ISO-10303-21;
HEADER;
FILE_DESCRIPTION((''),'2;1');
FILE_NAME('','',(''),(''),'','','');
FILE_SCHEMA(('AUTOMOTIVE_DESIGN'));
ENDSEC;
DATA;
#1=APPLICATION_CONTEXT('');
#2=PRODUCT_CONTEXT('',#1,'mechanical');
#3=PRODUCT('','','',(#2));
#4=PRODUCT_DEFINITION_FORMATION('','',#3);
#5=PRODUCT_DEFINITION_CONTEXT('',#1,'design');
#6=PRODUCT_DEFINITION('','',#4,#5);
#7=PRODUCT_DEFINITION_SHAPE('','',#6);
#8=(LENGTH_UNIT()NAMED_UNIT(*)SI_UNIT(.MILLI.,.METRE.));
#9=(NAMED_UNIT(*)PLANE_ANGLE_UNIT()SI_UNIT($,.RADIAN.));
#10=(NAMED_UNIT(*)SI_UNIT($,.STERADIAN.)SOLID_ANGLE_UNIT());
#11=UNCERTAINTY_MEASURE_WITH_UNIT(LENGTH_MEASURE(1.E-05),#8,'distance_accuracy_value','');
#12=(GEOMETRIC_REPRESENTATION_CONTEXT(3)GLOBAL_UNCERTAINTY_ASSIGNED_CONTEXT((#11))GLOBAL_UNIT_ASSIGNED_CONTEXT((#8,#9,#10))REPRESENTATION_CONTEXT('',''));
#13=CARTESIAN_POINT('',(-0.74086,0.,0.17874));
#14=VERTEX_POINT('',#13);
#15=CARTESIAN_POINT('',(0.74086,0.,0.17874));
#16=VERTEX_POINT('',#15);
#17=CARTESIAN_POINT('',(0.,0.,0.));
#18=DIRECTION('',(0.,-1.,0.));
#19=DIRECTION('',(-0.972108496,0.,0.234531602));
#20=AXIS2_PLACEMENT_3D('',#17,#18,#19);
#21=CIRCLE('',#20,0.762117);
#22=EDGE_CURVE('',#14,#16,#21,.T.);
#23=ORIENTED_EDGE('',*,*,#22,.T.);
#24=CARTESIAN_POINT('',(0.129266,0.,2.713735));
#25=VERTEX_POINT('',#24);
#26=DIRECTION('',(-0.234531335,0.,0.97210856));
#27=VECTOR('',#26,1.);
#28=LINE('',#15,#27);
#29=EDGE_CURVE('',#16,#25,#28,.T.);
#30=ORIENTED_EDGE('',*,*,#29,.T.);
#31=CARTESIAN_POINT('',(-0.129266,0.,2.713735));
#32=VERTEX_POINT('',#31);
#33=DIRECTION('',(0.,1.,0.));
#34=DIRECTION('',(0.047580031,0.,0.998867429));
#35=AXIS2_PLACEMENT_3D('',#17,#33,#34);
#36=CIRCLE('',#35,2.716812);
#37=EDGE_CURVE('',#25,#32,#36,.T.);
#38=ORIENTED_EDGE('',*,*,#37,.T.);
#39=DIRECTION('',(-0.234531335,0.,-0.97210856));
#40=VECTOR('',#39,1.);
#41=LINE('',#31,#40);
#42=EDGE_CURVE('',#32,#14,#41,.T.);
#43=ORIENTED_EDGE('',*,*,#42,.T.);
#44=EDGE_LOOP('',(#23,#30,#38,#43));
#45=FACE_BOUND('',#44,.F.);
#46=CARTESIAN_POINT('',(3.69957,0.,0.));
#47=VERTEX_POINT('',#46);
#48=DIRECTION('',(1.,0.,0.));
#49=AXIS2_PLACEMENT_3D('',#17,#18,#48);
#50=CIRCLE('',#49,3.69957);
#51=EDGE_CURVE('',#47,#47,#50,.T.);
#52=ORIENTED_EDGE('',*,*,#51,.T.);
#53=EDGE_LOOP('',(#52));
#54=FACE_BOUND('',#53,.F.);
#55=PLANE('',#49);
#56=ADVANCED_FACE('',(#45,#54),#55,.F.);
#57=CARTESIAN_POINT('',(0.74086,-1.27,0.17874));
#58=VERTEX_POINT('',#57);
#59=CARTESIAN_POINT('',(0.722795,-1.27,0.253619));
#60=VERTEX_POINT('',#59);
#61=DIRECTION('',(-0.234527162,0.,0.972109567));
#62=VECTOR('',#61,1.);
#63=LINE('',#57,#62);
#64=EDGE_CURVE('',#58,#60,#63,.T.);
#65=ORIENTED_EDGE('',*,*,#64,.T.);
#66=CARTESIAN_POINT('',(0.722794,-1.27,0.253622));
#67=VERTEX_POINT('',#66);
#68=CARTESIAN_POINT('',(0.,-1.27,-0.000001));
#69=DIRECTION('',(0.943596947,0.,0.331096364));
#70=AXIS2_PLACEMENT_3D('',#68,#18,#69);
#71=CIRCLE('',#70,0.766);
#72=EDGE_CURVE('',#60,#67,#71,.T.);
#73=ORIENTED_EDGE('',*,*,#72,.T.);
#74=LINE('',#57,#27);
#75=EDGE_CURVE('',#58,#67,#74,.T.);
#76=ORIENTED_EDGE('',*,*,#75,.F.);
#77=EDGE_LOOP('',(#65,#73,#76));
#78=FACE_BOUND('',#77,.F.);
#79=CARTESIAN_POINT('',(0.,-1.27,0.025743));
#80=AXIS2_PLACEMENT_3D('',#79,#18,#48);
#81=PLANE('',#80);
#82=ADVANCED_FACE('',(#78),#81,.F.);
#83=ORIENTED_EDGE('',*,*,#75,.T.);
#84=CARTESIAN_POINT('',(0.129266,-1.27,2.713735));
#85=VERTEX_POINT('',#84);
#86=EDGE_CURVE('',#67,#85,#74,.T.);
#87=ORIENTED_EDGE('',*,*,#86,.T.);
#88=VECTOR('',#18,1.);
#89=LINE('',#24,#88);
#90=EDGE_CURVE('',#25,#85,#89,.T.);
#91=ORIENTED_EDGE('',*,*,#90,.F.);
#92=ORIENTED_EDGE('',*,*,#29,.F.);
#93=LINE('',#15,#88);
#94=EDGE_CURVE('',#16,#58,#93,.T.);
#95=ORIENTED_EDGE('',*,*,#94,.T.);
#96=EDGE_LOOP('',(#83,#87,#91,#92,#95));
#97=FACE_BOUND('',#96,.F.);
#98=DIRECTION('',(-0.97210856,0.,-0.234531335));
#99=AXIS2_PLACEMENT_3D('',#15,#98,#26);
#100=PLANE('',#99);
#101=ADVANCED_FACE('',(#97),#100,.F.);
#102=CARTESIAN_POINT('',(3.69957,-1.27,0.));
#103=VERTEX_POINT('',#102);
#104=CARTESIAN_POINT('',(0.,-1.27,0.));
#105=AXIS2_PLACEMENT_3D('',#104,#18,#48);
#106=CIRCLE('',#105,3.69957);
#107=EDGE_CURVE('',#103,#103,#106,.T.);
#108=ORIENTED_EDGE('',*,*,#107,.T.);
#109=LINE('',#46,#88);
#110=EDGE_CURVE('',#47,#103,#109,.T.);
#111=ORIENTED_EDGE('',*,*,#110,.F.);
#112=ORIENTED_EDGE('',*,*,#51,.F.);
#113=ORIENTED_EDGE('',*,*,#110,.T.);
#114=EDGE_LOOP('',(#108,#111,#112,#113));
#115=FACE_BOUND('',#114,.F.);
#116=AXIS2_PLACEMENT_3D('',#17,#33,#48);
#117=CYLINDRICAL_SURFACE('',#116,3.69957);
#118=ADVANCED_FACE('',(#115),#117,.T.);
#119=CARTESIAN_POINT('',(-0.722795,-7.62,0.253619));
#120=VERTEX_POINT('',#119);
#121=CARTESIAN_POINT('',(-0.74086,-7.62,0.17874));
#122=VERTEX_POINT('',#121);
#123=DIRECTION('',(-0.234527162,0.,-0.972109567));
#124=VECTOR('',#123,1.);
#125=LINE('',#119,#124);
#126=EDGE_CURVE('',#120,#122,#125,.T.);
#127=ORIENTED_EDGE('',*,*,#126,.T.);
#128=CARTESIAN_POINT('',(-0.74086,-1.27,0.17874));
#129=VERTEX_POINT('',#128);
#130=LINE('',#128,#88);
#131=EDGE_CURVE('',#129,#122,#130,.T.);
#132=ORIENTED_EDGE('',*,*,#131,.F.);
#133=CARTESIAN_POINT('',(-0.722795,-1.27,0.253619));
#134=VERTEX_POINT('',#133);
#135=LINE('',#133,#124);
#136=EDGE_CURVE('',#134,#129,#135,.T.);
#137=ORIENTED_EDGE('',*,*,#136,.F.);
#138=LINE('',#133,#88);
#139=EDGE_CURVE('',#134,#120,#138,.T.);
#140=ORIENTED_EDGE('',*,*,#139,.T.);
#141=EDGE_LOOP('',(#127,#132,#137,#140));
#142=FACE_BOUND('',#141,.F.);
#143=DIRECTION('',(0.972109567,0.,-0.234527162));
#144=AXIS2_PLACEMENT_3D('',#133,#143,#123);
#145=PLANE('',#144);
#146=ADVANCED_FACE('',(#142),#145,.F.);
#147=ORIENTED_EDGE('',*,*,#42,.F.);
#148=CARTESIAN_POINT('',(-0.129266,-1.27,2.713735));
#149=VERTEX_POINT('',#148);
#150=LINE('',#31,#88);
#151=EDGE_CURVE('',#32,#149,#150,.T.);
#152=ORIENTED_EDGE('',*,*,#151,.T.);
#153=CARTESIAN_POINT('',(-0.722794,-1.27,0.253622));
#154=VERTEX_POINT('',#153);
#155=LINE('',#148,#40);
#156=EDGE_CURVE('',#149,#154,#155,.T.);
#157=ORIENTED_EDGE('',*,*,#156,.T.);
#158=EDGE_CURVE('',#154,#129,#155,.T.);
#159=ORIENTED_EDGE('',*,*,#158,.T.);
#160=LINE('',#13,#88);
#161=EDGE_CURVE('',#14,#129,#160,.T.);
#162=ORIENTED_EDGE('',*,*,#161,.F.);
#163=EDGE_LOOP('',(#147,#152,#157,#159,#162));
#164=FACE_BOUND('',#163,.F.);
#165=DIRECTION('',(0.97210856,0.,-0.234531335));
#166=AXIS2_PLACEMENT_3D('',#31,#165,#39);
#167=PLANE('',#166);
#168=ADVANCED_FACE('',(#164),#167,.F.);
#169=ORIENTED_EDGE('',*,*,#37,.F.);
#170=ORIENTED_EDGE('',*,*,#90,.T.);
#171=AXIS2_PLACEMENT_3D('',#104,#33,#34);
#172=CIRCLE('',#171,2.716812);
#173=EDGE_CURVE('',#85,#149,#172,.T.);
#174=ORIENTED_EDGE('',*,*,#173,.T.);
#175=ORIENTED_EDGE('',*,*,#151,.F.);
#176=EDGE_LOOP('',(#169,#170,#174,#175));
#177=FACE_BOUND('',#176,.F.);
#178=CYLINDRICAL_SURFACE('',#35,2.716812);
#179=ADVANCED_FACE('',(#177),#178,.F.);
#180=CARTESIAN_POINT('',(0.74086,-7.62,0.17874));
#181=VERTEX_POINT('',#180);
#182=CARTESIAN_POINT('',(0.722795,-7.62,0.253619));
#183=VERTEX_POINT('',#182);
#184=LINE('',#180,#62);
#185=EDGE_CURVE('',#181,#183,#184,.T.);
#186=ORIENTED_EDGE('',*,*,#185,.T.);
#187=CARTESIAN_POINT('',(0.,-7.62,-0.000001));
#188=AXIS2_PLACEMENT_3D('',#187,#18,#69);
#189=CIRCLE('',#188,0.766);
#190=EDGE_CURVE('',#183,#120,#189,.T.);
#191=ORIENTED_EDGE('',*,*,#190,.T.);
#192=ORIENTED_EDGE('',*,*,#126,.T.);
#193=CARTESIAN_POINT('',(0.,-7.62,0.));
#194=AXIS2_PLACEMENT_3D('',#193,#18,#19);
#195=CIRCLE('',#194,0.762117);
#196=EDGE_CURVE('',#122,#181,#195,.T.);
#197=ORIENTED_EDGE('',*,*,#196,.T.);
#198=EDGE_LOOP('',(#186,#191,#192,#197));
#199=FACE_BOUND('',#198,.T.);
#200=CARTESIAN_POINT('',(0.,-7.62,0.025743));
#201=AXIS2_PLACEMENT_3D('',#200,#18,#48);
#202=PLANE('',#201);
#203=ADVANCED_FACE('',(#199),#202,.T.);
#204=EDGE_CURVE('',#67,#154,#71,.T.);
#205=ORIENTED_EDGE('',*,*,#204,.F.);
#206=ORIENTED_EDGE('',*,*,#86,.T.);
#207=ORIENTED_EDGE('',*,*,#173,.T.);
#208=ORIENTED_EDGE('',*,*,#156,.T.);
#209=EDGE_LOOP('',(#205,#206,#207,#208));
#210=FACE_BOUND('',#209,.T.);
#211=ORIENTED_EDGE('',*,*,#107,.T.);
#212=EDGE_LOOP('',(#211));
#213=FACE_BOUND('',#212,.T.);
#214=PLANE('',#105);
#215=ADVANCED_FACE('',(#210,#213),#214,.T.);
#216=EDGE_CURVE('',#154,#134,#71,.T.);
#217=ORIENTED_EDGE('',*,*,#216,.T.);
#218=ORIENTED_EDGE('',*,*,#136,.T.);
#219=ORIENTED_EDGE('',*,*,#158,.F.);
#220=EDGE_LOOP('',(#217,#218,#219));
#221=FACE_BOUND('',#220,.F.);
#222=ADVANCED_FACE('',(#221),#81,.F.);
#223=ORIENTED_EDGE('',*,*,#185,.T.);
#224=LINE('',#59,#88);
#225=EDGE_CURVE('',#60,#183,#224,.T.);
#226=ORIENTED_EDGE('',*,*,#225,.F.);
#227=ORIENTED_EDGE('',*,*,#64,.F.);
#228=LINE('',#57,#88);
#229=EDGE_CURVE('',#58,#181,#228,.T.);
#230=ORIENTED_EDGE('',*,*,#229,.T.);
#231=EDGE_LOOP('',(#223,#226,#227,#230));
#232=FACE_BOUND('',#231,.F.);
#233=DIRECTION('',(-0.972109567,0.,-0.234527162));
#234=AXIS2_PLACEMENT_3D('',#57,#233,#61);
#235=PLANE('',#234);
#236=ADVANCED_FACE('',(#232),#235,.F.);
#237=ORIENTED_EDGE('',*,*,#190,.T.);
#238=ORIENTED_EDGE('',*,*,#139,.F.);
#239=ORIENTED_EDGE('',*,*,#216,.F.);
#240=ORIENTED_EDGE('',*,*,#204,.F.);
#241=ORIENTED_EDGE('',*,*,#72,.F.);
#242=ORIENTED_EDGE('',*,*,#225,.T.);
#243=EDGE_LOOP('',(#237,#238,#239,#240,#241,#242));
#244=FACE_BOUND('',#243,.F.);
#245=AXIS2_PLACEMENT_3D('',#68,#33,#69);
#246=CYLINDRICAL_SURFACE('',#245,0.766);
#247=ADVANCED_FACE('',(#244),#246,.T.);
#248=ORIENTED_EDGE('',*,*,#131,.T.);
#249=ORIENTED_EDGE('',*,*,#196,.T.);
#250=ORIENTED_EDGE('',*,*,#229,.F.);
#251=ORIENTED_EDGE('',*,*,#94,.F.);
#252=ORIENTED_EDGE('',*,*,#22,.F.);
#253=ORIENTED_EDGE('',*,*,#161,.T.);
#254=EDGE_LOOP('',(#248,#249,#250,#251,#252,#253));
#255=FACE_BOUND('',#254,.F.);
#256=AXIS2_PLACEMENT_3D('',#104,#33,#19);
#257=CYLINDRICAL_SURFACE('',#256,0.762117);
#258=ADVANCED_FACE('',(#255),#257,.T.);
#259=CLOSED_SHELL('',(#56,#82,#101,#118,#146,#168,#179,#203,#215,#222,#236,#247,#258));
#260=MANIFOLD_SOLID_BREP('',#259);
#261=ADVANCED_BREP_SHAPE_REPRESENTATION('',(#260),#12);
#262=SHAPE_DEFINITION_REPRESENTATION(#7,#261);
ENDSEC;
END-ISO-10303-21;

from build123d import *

# Parameters (mm, degrees)
F0_R     = 3.69957
F1_DEPTH = 1.27
F3_DEPTH = 6.35


with BuildPart() as f1:
    # F0 (on Front) → F1 (new body)
    with BuildSketch(Plane.XZ):
        Circle(F0_R)
        with BuildLine():
            ThreePointArc((0.129266, 2.713735), (0, -2.716812), (-0.129266, 2.713735))
            Line((-0.129266, 2.713735), (-0.74086, 0.17874))
            ThreePointArc((-0.74086, 0.17874), (0, -0.762117), (0.74086, 0.17874))
            Line((0.74086, 0.17874), (0.129266, 2.713735))
        make_face(mode=Mode.SUBTRACT)
    extrude(amount=F1_DEPTH)

    # F2 (on face) → F3 (join)
    with BuildSketch(Plane.XZ.offset(1.27)):
        with BuildLine():
            Line((0.74086, 0.17874), (0.722795, 0.253619))
            ThreePointArc((0.722795, 0.253619), (0, 0.765999), (-0.722795, 0.253619))
            Line((-0.722795, 0.253619), (-0.74086, 0.17874))
            ThreePointArc((-0.74086, 0.17874), (0, -0.762117), (0.74086, 0.17874))
        make_face()
    extrude(amount=F3_DEPTH)


solid = f1.part
